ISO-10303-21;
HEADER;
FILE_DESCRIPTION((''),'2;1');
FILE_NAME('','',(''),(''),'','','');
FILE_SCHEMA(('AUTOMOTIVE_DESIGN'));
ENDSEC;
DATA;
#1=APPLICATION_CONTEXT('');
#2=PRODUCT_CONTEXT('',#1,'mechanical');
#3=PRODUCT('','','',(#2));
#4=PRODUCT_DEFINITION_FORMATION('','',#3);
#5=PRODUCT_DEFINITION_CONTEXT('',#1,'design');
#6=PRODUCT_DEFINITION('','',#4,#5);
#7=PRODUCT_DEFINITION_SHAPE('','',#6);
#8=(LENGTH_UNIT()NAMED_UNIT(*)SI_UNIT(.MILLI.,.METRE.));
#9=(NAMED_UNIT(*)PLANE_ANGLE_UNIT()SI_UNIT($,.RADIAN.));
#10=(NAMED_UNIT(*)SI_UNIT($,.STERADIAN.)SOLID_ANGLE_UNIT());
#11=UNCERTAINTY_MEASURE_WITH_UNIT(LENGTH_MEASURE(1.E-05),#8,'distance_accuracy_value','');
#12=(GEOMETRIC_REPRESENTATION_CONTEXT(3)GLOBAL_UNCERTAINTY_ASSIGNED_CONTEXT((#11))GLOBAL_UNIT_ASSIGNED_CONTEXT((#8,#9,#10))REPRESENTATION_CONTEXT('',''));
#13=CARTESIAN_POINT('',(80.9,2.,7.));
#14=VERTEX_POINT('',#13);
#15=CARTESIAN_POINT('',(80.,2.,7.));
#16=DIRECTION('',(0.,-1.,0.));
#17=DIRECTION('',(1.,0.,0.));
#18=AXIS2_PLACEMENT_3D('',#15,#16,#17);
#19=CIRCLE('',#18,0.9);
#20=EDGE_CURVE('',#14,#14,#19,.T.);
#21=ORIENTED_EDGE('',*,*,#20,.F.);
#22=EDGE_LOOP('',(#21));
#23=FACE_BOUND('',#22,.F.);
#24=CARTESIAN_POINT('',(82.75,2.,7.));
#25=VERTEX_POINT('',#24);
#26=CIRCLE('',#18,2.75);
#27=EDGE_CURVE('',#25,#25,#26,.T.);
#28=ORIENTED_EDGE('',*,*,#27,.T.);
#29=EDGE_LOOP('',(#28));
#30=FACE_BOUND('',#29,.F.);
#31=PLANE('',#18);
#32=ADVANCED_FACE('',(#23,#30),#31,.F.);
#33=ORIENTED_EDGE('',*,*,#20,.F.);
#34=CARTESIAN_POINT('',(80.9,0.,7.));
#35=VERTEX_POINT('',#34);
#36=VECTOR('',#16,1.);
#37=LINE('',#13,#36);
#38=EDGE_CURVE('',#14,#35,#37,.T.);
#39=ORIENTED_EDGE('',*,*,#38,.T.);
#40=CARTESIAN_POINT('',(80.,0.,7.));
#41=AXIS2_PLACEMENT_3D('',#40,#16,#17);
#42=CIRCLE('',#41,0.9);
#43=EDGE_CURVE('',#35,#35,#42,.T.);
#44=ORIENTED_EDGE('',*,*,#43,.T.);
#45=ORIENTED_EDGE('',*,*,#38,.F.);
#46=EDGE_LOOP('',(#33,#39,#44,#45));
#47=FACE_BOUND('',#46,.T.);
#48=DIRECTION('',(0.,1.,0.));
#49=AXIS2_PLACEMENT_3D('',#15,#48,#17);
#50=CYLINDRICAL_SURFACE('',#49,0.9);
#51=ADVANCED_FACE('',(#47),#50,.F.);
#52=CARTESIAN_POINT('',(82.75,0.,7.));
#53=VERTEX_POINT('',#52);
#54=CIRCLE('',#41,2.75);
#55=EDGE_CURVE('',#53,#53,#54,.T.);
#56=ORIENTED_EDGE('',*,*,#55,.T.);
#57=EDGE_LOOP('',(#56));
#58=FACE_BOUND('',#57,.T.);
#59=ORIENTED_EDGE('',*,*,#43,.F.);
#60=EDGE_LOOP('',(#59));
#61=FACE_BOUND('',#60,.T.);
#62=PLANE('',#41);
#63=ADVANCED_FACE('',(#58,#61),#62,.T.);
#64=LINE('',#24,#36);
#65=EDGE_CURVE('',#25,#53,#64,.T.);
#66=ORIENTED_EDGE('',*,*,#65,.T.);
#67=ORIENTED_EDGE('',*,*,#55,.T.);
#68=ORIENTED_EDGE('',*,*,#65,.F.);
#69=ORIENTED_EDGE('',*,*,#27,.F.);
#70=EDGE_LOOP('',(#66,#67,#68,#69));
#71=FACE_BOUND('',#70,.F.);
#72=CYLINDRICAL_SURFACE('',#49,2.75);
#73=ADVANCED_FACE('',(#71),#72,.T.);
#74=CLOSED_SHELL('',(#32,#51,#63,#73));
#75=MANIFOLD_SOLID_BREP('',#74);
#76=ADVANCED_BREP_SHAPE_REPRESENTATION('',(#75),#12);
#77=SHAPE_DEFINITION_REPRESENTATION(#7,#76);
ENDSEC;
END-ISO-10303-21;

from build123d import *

# Parameters (mm, degrees)
CYLINDER015_R            = 0.9
CYLINDER015_DEPTH        = 2
CYLINDER014_R            = 2.75
CYLINDER014_DEPTH        = 2
CLONE017_PLACEMENT_ANGLE = 90


with BuildPart() as faceanchorscrewhole:
    # Cylinder015 → Cylinder015 (new body)
    with BuildSketch(Plane.XY):
        Circle(CYLINDER015_R)
    extrude(amount=CYLINDER015_DEPTH)


with BuildPart() as faceanchor003:
    # Cylinder014 → Cylinder014 (new body)
    with BuildSketch(Plane.XY):
        Circle(CYLINDER014_R)
    extrude(amount=CYLINDER014_DEPTH)

    # Cut015: cut FaceAnchorScrewHole
    add(faceanchorscrewhole.part, mode=Mode.SUBTRACT)


with BuildPart() as faceanchor003_1:
    # Clone017 placement: moved
    add(faceanchor003.part.moved(Location((80, 2, 7))).rotate(Axis((80, 2, 7), (1, 0, 0)), CLONE017_PLACEMENT_ANGLE))


solid = faceanchor003_1.part
